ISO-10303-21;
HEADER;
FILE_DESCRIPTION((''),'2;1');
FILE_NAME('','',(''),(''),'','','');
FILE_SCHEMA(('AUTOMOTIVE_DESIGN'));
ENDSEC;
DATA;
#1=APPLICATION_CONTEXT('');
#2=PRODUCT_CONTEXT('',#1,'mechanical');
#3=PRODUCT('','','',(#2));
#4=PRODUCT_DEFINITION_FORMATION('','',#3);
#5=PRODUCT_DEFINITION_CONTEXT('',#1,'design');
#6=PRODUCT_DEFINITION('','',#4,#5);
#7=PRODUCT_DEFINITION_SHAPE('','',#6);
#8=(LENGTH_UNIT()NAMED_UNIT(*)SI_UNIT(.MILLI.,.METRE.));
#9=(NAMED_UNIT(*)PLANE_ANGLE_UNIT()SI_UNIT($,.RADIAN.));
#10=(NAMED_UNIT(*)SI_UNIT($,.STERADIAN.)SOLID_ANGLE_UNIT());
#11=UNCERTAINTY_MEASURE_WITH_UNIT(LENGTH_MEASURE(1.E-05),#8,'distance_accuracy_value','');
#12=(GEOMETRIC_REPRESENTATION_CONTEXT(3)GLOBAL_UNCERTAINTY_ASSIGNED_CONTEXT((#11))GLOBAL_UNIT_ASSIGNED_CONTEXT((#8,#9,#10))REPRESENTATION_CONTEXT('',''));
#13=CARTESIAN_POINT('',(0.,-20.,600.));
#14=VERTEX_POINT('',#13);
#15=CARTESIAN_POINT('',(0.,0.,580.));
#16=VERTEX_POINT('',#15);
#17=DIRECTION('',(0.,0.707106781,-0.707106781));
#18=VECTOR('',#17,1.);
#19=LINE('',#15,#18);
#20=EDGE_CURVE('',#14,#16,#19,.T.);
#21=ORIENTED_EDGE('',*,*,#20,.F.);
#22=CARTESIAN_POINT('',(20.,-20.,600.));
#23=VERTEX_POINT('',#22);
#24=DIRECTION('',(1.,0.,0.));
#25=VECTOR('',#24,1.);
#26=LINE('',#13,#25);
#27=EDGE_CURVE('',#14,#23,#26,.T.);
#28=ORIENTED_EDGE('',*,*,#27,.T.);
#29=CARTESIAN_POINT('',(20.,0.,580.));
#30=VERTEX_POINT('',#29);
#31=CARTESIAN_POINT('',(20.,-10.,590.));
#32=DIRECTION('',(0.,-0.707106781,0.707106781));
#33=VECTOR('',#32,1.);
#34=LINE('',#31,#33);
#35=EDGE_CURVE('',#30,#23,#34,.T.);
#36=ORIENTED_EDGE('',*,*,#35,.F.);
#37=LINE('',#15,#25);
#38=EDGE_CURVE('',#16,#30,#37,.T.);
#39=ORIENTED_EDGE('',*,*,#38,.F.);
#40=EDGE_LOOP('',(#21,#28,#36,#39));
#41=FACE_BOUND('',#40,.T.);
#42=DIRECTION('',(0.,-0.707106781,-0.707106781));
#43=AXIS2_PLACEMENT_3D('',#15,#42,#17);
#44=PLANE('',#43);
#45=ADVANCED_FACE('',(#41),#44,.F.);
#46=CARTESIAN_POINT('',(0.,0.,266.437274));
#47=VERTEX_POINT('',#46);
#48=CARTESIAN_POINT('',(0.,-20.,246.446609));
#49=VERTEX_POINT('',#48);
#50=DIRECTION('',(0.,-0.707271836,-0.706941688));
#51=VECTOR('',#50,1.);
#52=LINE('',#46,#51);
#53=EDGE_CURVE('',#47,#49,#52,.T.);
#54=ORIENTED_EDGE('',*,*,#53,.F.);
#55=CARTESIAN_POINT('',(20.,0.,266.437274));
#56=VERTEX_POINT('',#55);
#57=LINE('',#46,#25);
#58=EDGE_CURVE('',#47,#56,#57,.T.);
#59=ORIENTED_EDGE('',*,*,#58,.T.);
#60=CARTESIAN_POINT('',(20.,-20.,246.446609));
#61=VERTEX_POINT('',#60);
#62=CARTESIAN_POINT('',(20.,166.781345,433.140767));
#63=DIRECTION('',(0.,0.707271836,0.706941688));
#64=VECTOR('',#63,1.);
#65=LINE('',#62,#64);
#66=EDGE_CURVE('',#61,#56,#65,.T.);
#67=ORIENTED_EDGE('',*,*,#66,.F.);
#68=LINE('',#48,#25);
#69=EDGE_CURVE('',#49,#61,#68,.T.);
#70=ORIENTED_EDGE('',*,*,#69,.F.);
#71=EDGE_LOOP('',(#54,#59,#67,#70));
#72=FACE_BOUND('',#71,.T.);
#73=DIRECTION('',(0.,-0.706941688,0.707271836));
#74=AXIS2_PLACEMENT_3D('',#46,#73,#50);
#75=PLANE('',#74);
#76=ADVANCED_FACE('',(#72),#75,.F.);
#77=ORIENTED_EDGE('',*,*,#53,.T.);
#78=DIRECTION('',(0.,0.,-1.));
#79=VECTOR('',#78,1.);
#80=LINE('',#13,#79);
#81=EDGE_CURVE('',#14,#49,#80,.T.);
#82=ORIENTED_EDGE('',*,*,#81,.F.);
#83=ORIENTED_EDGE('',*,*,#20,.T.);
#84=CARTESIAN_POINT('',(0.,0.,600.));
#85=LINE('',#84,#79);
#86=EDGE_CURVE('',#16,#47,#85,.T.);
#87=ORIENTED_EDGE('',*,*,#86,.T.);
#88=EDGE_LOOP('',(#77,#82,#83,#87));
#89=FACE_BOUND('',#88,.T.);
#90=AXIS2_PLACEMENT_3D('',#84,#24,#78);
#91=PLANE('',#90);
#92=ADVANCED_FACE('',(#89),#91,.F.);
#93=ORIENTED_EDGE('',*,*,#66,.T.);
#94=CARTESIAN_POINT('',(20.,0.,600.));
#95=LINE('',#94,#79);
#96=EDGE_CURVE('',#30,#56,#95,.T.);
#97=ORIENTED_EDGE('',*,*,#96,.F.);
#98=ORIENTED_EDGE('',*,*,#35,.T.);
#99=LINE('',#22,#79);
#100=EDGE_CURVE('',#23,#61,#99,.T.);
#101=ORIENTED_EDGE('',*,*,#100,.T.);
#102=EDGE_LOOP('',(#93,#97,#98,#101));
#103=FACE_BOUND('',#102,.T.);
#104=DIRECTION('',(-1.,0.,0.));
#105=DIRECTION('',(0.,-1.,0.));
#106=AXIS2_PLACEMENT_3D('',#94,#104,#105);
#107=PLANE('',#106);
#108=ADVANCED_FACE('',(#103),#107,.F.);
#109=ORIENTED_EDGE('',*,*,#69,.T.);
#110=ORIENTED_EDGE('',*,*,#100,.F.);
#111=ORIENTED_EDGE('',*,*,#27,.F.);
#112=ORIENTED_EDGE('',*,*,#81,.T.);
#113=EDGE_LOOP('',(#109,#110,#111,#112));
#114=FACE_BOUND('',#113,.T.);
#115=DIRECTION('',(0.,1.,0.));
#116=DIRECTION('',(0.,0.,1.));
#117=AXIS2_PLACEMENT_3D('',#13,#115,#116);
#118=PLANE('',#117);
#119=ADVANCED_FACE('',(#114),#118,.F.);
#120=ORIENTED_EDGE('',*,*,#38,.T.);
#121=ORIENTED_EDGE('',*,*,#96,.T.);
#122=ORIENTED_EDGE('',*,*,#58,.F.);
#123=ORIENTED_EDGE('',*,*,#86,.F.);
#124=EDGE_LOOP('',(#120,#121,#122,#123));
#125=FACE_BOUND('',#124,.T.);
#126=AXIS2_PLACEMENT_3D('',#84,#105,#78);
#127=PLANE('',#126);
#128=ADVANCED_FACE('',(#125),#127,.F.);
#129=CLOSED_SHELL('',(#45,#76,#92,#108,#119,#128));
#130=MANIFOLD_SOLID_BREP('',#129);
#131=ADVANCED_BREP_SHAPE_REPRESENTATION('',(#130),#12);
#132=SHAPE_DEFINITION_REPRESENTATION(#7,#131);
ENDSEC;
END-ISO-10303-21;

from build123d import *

# Parameters (mm, degrees)
SKETCH1_W               = 20
SKETCH1_H               = 20
BOSS_EXTRUDE1_DEPTH     = 600
CUT_EXTRUDE1_DEPTH      = 601.666296707
CUT_EXTRUDE1_DEPTH_BACK = 601.666296707


with BuildPart() as part:
    # Sketch1 → Boss-Extrude1 (new body)
    with BuildSketch(Plane.XY):
        with Locations((10, -10)):
            Rectangle(SKETCH1_W, SKETCH1_H)
    extrude(amount=BOSS_EXTRUDE1_DEPTH)

    # Sketch2 → Cut-Extrude1 (cut, two sides: drawn at the far end of the back side and taken through both)
    with BuildSketch(Plane(origin=(20, 0, 0), x_dir=(0, 0, -1), z_dir=(1, 0, 0)).offset(-CUT_EXTRUDE1_DEPTH_BACK)):
        Polygon((-600, -20), (-600, 0), (-580, 0), align=None)
        Polygon((-266.437273607, 0), (-246.446609407, -20), (0, -20), (0, 0), align=None)
    extrude(amount=CUT_EXTRUDE1_DEPTH + CUT_EXTRUDE1_DEPTH_BACK, mode=Mode.SUBTRACT)


solid = part.part
